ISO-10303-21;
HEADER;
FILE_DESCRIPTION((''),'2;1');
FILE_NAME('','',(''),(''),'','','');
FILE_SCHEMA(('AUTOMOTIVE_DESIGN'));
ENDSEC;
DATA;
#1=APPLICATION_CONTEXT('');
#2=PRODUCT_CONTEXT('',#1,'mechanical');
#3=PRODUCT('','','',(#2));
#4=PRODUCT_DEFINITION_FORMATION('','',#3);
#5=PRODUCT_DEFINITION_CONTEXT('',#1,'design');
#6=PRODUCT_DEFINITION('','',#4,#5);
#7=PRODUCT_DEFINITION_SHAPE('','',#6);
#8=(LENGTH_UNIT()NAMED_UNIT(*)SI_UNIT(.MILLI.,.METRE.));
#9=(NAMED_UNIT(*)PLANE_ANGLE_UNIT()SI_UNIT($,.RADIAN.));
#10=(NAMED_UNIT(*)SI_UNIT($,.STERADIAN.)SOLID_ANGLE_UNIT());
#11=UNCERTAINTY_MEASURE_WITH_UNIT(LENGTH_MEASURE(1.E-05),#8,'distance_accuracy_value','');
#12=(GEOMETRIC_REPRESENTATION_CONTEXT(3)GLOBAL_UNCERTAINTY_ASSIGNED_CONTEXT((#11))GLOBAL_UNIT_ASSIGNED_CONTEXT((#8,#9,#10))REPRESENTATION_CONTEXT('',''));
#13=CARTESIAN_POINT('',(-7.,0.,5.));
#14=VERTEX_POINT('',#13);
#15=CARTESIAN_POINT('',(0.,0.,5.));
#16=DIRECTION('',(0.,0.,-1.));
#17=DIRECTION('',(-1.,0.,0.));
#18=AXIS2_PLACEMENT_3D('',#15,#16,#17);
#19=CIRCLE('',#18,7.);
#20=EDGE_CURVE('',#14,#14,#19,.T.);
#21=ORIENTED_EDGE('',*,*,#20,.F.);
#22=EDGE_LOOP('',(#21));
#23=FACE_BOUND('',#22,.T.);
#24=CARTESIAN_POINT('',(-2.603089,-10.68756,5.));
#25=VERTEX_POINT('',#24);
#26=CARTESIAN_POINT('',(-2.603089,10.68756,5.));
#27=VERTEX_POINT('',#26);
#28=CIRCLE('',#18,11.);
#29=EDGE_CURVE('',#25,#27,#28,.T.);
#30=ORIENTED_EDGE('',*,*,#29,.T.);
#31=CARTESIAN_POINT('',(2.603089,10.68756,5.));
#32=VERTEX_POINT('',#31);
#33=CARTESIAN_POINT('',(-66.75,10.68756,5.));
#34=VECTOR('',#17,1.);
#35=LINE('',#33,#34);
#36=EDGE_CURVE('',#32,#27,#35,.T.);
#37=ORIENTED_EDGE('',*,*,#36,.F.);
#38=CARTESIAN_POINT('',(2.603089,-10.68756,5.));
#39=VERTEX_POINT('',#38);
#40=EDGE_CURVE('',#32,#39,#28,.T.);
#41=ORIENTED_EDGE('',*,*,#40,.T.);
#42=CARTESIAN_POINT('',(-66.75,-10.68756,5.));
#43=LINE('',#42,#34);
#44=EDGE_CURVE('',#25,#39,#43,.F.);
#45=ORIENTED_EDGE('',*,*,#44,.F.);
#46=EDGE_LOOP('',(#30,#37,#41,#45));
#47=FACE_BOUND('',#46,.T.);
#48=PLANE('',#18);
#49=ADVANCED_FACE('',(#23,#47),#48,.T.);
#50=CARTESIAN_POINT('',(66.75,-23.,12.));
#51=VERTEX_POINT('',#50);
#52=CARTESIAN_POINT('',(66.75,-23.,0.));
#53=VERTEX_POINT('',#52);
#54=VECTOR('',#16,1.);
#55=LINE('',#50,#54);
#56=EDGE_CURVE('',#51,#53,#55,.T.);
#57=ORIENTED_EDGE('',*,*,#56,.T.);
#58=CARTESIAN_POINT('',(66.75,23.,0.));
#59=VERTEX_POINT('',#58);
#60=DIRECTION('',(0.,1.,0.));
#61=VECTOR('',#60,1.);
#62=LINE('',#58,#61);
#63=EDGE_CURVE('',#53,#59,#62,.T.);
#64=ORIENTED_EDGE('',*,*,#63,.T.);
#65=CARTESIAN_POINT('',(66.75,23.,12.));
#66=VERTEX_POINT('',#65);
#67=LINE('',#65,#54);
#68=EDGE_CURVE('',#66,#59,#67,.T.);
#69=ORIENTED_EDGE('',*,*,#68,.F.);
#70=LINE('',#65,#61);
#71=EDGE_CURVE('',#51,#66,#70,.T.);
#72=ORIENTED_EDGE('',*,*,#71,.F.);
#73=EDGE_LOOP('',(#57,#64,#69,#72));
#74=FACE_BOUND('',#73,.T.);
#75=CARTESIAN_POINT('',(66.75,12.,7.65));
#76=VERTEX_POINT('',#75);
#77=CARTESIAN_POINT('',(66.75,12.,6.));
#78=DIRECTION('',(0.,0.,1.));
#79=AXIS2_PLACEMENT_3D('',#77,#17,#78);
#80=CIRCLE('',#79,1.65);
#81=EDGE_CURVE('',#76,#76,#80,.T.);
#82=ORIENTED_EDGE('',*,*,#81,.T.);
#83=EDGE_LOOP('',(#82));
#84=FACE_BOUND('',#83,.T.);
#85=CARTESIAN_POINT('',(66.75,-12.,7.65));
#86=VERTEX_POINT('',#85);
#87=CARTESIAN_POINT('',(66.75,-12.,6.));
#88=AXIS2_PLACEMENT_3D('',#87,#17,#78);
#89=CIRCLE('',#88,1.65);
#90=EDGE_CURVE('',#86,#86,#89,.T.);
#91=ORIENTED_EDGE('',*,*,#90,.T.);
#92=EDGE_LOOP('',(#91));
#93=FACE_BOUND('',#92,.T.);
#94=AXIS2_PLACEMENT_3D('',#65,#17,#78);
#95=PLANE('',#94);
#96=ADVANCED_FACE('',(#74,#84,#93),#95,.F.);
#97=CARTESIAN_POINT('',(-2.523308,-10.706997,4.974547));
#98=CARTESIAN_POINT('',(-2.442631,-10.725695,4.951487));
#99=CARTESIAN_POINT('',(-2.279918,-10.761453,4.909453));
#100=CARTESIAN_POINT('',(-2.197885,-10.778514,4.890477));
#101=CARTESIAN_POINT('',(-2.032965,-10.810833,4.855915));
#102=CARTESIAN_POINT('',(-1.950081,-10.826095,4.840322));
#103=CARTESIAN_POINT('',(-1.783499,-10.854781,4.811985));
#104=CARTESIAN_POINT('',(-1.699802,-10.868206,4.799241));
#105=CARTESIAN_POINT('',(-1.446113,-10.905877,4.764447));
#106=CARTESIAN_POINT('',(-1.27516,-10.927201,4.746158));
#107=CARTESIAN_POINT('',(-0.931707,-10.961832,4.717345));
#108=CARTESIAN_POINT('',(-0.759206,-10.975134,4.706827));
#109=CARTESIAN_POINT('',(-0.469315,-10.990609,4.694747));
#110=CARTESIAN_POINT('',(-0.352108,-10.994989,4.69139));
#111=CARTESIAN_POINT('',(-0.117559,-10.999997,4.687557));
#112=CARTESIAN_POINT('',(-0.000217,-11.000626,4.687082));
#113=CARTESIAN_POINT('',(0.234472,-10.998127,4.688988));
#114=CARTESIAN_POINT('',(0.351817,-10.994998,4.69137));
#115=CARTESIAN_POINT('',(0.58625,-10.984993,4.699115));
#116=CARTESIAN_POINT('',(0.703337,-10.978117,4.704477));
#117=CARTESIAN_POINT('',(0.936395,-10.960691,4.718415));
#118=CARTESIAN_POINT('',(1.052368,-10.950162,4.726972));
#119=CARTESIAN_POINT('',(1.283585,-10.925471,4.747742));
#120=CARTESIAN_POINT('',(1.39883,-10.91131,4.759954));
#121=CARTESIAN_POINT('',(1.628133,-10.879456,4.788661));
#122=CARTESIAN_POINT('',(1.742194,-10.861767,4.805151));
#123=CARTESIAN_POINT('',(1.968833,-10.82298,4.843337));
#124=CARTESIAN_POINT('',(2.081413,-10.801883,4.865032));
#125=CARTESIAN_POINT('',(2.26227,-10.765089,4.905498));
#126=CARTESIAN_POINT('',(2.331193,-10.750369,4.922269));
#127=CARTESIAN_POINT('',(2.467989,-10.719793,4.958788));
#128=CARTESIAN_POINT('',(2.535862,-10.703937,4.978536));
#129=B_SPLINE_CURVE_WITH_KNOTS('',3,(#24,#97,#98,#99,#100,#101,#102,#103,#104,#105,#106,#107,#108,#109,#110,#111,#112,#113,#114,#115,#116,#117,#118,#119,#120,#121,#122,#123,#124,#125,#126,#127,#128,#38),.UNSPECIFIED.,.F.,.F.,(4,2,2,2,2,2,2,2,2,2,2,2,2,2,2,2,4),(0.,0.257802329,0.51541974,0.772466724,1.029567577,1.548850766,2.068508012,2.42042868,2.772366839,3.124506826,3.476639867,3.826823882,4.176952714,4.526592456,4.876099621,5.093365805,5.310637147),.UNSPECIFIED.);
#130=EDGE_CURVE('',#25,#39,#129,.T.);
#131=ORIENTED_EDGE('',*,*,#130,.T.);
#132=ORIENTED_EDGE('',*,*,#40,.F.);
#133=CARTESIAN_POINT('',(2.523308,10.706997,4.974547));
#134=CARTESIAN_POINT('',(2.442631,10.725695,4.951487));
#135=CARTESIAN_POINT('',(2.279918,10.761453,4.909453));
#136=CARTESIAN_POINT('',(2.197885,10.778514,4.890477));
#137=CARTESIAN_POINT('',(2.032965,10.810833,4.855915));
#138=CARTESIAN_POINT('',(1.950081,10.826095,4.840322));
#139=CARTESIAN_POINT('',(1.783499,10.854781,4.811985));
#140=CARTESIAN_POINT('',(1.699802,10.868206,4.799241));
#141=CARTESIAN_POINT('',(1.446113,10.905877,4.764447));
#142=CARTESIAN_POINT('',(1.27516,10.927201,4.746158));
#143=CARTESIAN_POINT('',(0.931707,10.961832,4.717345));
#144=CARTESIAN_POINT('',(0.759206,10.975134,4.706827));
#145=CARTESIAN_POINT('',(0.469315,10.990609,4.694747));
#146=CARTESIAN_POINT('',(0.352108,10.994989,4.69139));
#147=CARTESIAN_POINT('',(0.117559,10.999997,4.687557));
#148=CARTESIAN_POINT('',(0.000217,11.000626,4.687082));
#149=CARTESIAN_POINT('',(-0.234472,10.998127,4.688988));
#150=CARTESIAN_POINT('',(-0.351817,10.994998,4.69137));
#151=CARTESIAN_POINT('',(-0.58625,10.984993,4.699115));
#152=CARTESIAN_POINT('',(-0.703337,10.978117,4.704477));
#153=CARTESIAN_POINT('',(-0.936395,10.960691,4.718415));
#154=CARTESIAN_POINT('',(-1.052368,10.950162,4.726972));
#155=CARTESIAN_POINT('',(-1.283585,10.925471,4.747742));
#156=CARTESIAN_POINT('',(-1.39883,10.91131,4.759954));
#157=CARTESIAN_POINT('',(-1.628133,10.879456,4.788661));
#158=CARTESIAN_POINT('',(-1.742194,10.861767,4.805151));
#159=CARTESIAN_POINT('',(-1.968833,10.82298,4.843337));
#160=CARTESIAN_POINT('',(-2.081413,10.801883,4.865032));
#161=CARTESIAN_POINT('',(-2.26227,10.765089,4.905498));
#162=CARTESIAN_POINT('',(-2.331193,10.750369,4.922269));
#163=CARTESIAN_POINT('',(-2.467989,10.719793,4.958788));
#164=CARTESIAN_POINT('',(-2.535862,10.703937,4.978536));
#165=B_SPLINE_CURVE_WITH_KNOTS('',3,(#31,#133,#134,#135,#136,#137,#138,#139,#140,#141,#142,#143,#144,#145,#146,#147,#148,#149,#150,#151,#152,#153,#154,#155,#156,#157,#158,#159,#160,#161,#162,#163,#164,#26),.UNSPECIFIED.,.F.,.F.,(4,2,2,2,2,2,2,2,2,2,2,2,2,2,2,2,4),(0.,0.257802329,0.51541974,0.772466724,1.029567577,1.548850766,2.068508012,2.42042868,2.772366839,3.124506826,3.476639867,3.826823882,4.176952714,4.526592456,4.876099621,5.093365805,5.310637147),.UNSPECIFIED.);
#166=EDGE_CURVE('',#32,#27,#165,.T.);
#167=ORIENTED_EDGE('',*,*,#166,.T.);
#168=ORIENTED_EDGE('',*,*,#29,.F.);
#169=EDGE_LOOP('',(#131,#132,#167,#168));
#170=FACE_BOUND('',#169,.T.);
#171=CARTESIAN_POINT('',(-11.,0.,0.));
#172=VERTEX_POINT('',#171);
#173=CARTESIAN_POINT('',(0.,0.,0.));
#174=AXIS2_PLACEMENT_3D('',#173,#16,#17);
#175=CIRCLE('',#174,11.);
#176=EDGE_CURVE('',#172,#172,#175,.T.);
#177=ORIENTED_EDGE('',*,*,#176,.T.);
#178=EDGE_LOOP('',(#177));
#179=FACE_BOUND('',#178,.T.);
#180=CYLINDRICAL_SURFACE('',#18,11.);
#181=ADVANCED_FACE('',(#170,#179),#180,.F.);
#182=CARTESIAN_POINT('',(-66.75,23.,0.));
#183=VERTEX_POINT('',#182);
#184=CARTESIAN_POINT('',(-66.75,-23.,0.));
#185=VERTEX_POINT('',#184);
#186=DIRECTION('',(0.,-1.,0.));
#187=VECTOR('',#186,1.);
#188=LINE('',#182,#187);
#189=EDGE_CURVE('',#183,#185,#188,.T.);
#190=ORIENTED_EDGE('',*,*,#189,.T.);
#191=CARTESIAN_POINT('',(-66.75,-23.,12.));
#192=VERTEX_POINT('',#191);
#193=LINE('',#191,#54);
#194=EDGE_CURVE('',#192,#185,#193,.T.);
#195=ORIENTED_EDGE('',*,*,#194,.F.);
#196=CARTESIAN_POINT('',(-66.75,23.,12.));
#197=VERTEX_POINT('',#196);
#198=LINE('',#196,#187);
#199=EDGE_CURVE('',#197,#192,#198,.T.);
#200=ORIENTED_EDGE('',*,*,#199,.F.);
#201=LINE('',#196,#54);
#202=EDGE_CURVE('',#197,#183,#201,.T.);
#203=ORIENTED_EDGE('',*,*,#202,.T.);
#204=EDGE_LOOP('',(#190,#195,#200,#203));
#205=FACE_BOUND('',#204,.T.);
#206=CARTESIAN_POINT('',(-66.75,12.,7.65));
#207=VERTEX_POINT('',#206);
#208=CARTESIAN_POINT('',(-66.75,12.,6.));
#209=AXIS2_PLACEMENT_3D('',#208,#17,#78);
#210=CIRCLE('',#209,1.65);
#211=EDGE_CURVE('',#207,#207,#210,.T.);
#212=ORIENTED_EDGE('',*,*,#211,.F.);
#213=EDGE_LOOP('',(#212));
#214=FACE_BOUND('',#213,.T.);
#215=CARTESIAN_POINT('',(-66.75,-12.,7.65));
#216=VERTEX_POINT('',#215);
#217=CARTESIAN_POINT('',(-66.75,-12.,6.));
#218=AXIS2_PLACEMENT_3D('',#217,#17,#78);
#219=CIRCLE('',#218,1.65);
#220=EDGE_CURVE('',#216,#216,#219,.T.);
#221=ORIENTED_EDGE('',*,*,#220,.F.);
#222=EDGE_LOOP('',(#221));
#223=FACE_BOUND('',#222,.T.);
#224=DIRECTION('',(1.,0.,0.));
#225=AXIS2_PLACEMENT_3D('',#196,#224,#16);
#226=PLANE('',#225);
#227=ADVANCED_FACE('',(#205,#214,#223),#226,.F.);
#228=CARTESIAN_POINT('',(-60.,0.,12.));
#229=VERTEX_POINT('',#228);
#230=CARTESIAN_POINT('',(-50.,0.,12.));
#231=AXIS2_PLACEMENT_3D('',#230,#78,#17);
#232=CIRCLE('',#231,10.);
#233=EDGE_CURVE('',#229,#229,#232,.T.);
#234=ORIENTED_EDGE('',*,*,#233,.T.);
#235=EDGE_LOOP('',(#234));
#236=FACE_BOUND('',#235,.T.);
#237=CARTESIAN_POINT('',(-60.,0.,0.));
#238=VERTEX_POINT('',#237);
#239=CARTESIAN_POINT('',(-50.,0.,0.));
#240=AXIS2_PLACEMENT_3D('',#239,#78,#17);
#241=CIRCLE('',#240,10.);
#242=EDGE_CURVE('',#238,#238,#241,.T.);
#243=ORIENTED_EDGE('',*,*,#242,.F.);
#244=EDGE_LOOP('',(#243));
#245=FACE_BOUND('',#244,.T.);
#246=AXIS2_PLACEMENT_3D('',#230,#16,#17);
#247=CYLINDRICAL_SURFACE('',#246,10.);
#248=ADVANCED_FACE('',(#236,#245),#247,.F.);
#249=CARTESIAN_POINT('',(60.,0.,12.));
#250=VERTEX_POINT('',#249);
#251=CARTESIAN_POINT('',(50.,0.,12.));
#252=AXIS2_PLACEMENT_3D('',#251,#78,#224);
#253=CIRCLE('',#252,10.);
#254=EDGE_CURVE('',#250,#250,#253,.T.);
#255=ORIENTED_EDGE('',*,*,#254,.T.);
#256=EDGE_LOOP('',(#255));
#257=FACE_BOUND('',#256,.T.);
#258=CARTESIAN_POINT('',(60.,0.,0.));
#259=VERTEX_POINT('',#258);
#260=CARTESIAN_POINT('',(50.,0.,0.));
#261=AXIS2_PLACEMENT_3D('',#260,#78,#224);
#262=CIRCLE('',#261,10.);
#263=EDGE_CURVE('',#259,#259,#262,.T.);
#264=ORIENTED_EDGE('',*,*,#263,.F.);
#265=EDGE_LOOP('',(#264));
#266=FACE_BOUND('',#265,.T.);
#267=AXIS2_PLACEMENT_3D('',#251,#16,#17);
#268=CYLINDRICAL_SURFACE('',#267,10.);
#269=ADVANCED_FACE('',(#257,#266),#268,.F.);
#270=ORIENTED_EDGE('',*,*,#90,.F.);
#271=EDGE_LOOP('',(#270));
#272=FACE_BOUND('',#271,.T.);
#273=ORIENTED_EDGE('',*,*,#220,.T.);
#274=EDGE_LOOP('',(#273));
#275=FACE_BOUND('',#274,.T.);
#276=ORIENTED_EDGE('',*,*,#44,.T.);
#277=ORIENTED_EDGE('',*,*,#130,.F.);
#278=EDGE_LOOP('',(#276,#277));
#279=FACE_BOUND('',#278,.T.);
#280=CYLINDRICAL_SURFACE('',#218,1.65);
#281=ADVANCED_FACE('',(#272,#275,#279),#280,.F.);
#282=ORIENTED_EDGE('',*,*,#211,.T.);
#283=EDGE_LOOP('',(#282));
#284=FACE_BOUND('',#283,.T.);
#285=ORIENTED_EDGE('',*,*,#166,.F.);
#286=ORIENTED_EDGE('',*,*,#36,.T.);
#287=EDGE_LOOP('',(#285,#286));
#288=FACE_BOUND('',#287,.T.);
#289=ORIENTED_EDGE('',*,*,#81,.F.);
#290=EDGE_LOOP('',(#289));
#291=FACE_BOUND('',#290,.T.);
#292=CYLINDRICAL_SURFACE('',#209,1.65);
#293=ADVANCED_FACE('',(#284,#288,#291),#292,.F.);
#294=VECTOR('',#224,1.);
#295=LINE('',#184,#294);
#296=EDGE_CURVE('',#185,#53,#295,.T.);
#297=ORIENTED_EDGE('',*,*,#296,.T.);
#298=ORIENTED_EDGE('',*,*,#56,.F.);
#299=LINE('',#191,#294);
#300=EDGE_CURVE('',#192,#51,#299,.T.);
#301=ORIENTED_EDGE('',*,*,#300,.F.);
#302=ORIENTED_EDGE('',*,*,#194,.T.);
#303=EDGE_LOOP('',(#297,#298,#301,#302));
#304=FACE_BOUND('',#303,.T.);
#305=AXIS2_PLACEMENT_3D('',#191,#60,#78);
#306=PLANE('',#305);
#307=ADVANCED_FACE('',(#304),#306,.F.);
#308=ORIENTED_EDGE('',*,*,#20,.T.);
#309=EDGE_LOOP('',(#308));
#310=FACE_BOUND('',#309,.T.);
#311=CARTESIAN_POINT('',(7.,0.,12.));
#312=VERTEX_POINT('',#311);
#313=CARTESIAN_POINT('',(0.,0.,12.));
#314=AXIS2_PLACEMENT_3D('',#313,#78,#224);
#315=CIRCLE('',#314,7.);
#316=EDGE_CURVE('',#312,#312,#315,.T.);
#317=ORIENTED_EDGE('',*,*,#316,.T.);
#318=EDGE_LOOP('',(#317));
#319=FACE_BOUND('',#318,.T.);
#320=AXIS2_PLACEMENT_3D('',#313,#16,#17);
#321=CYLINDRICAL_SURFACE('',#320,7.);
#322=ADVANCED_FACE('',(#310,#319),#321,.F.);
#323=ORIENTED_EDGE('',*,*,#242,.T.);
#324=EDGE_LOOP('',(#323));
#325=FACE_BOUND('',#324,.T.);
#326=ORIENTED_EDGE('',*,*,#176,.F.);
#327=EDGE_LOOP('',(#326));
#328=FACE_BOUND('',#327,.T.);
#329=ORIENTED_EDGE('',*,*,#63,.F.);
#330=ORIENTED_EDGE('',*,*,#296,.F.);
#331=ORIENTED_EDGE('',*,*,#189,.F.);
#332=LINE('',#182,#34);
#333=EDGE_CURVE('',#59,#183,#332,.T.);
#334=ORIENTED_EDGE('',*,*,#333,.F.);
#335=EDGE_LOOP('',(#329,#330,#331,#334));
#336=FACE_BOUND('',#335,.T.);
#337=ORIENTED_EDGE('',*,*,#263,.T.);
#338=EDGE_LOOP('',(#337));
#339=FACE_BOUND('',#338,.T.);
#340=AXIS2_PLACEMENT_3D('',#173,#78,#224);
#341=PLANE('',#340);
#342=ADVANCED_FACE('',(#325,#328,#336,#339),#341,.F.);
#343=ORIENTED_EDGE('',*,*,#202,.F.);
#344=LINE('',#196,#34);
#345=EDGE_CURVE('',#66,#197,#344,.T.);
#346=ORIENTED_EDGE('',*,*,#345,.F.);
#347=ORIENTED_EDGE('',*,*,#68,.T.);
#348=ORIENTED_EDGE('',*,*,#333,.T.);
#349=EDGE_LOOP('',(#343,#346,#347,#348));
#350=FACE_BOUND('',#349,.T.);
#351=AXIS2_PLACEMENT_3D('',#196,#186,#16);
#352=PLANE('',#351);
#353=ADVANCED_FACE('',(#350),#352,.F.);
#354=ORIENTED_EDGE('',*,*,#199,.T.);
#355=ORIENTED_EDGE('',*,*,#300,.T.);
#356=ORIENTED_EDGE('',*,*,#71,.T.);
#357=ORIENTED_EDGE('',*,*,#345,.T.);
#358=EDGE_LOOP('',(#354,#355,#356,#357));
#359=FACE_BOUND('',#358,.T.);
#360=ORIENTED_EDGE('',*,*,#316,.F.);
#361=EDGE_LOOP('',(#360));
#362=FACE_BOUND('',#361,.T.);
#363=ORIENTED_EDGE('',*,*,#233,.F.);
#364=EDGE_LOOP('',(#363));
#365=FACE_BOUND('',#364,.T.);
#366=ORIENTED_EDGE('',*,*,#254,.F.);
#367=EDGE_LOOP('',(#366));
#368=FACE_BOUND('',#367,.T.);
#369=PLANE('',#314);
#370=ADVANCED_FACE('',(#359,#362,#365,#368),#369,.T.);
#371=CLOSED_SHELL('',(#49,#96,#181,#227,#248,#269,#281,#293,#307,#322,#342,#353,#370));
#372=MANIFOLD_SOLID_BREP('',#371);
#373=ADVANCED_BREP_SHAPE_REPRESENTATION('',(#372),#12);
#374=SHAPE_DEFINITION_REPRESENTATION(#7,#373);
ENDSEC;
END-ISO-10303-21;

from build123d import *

# Parameters (mm, degrees)
SKETCH1_W           = 133.5
SKETCH1_H           = 46
SKETCH1_R           = 10
SKETCH1_R_2         = 7
BOSS_EXTRUDE1_DEPTH = 12
SKETCH2_R           = 11
CUT_EXTRUDE1_DEPTH  = 5
M4_TAPPED_HOLE1_D   = 3.3


with BuildPart() as part:
    # Sketch1 → Boss-Extrude1 (new body)
    with BuildSketch(Plane.XY):
        Rectangle(SKETCH1_W, SKETCH1_H)
        with Locations((50, 0)):
            Circle(SKETCH1_R, mode=Mode.SUBTRACT)
        with Locations((-50, 0)):
            Circle(SKETCH1_R, mode=Mode.SUBTRACT)
        Circle(SKETCH1_R_2, mode=Mode.SUBTRACT)
    extrude(amount=BOSS_EXTRUDE1_DEPTH)

    # Sketch2 → Cut-Extrude1 (cut)
    with BuildSketch(Plane(origin=(0, 0, 0), x_dir=(-1, 0, 0), z_dir=(0, 0, -1))):
        Circle(SKETCH2_R)
    extrude(amount=-CUT_EXTRUDE1_DEPTH, mode=Mode.SUBTRACT)

    # M4 Tapped Hole1 (through all)
    with Locations(Plane.ZY.offset(66.75)):
        with Locations((6, 12), (6, -12)):
            m4_tapped_hole1 = Hole(M4_TAPPED_HOLE1_D / 2)

    # Mirror1: M4 Tapped Hole1 across plane
    add(m4_tapped_hole1.mirror(Plane(origin=(0, 0, 0), x_dir=(0, 0, 1), z_dir=(1, 0, 0))), mode=Mode.SUBTRACT)


solid = part.part
